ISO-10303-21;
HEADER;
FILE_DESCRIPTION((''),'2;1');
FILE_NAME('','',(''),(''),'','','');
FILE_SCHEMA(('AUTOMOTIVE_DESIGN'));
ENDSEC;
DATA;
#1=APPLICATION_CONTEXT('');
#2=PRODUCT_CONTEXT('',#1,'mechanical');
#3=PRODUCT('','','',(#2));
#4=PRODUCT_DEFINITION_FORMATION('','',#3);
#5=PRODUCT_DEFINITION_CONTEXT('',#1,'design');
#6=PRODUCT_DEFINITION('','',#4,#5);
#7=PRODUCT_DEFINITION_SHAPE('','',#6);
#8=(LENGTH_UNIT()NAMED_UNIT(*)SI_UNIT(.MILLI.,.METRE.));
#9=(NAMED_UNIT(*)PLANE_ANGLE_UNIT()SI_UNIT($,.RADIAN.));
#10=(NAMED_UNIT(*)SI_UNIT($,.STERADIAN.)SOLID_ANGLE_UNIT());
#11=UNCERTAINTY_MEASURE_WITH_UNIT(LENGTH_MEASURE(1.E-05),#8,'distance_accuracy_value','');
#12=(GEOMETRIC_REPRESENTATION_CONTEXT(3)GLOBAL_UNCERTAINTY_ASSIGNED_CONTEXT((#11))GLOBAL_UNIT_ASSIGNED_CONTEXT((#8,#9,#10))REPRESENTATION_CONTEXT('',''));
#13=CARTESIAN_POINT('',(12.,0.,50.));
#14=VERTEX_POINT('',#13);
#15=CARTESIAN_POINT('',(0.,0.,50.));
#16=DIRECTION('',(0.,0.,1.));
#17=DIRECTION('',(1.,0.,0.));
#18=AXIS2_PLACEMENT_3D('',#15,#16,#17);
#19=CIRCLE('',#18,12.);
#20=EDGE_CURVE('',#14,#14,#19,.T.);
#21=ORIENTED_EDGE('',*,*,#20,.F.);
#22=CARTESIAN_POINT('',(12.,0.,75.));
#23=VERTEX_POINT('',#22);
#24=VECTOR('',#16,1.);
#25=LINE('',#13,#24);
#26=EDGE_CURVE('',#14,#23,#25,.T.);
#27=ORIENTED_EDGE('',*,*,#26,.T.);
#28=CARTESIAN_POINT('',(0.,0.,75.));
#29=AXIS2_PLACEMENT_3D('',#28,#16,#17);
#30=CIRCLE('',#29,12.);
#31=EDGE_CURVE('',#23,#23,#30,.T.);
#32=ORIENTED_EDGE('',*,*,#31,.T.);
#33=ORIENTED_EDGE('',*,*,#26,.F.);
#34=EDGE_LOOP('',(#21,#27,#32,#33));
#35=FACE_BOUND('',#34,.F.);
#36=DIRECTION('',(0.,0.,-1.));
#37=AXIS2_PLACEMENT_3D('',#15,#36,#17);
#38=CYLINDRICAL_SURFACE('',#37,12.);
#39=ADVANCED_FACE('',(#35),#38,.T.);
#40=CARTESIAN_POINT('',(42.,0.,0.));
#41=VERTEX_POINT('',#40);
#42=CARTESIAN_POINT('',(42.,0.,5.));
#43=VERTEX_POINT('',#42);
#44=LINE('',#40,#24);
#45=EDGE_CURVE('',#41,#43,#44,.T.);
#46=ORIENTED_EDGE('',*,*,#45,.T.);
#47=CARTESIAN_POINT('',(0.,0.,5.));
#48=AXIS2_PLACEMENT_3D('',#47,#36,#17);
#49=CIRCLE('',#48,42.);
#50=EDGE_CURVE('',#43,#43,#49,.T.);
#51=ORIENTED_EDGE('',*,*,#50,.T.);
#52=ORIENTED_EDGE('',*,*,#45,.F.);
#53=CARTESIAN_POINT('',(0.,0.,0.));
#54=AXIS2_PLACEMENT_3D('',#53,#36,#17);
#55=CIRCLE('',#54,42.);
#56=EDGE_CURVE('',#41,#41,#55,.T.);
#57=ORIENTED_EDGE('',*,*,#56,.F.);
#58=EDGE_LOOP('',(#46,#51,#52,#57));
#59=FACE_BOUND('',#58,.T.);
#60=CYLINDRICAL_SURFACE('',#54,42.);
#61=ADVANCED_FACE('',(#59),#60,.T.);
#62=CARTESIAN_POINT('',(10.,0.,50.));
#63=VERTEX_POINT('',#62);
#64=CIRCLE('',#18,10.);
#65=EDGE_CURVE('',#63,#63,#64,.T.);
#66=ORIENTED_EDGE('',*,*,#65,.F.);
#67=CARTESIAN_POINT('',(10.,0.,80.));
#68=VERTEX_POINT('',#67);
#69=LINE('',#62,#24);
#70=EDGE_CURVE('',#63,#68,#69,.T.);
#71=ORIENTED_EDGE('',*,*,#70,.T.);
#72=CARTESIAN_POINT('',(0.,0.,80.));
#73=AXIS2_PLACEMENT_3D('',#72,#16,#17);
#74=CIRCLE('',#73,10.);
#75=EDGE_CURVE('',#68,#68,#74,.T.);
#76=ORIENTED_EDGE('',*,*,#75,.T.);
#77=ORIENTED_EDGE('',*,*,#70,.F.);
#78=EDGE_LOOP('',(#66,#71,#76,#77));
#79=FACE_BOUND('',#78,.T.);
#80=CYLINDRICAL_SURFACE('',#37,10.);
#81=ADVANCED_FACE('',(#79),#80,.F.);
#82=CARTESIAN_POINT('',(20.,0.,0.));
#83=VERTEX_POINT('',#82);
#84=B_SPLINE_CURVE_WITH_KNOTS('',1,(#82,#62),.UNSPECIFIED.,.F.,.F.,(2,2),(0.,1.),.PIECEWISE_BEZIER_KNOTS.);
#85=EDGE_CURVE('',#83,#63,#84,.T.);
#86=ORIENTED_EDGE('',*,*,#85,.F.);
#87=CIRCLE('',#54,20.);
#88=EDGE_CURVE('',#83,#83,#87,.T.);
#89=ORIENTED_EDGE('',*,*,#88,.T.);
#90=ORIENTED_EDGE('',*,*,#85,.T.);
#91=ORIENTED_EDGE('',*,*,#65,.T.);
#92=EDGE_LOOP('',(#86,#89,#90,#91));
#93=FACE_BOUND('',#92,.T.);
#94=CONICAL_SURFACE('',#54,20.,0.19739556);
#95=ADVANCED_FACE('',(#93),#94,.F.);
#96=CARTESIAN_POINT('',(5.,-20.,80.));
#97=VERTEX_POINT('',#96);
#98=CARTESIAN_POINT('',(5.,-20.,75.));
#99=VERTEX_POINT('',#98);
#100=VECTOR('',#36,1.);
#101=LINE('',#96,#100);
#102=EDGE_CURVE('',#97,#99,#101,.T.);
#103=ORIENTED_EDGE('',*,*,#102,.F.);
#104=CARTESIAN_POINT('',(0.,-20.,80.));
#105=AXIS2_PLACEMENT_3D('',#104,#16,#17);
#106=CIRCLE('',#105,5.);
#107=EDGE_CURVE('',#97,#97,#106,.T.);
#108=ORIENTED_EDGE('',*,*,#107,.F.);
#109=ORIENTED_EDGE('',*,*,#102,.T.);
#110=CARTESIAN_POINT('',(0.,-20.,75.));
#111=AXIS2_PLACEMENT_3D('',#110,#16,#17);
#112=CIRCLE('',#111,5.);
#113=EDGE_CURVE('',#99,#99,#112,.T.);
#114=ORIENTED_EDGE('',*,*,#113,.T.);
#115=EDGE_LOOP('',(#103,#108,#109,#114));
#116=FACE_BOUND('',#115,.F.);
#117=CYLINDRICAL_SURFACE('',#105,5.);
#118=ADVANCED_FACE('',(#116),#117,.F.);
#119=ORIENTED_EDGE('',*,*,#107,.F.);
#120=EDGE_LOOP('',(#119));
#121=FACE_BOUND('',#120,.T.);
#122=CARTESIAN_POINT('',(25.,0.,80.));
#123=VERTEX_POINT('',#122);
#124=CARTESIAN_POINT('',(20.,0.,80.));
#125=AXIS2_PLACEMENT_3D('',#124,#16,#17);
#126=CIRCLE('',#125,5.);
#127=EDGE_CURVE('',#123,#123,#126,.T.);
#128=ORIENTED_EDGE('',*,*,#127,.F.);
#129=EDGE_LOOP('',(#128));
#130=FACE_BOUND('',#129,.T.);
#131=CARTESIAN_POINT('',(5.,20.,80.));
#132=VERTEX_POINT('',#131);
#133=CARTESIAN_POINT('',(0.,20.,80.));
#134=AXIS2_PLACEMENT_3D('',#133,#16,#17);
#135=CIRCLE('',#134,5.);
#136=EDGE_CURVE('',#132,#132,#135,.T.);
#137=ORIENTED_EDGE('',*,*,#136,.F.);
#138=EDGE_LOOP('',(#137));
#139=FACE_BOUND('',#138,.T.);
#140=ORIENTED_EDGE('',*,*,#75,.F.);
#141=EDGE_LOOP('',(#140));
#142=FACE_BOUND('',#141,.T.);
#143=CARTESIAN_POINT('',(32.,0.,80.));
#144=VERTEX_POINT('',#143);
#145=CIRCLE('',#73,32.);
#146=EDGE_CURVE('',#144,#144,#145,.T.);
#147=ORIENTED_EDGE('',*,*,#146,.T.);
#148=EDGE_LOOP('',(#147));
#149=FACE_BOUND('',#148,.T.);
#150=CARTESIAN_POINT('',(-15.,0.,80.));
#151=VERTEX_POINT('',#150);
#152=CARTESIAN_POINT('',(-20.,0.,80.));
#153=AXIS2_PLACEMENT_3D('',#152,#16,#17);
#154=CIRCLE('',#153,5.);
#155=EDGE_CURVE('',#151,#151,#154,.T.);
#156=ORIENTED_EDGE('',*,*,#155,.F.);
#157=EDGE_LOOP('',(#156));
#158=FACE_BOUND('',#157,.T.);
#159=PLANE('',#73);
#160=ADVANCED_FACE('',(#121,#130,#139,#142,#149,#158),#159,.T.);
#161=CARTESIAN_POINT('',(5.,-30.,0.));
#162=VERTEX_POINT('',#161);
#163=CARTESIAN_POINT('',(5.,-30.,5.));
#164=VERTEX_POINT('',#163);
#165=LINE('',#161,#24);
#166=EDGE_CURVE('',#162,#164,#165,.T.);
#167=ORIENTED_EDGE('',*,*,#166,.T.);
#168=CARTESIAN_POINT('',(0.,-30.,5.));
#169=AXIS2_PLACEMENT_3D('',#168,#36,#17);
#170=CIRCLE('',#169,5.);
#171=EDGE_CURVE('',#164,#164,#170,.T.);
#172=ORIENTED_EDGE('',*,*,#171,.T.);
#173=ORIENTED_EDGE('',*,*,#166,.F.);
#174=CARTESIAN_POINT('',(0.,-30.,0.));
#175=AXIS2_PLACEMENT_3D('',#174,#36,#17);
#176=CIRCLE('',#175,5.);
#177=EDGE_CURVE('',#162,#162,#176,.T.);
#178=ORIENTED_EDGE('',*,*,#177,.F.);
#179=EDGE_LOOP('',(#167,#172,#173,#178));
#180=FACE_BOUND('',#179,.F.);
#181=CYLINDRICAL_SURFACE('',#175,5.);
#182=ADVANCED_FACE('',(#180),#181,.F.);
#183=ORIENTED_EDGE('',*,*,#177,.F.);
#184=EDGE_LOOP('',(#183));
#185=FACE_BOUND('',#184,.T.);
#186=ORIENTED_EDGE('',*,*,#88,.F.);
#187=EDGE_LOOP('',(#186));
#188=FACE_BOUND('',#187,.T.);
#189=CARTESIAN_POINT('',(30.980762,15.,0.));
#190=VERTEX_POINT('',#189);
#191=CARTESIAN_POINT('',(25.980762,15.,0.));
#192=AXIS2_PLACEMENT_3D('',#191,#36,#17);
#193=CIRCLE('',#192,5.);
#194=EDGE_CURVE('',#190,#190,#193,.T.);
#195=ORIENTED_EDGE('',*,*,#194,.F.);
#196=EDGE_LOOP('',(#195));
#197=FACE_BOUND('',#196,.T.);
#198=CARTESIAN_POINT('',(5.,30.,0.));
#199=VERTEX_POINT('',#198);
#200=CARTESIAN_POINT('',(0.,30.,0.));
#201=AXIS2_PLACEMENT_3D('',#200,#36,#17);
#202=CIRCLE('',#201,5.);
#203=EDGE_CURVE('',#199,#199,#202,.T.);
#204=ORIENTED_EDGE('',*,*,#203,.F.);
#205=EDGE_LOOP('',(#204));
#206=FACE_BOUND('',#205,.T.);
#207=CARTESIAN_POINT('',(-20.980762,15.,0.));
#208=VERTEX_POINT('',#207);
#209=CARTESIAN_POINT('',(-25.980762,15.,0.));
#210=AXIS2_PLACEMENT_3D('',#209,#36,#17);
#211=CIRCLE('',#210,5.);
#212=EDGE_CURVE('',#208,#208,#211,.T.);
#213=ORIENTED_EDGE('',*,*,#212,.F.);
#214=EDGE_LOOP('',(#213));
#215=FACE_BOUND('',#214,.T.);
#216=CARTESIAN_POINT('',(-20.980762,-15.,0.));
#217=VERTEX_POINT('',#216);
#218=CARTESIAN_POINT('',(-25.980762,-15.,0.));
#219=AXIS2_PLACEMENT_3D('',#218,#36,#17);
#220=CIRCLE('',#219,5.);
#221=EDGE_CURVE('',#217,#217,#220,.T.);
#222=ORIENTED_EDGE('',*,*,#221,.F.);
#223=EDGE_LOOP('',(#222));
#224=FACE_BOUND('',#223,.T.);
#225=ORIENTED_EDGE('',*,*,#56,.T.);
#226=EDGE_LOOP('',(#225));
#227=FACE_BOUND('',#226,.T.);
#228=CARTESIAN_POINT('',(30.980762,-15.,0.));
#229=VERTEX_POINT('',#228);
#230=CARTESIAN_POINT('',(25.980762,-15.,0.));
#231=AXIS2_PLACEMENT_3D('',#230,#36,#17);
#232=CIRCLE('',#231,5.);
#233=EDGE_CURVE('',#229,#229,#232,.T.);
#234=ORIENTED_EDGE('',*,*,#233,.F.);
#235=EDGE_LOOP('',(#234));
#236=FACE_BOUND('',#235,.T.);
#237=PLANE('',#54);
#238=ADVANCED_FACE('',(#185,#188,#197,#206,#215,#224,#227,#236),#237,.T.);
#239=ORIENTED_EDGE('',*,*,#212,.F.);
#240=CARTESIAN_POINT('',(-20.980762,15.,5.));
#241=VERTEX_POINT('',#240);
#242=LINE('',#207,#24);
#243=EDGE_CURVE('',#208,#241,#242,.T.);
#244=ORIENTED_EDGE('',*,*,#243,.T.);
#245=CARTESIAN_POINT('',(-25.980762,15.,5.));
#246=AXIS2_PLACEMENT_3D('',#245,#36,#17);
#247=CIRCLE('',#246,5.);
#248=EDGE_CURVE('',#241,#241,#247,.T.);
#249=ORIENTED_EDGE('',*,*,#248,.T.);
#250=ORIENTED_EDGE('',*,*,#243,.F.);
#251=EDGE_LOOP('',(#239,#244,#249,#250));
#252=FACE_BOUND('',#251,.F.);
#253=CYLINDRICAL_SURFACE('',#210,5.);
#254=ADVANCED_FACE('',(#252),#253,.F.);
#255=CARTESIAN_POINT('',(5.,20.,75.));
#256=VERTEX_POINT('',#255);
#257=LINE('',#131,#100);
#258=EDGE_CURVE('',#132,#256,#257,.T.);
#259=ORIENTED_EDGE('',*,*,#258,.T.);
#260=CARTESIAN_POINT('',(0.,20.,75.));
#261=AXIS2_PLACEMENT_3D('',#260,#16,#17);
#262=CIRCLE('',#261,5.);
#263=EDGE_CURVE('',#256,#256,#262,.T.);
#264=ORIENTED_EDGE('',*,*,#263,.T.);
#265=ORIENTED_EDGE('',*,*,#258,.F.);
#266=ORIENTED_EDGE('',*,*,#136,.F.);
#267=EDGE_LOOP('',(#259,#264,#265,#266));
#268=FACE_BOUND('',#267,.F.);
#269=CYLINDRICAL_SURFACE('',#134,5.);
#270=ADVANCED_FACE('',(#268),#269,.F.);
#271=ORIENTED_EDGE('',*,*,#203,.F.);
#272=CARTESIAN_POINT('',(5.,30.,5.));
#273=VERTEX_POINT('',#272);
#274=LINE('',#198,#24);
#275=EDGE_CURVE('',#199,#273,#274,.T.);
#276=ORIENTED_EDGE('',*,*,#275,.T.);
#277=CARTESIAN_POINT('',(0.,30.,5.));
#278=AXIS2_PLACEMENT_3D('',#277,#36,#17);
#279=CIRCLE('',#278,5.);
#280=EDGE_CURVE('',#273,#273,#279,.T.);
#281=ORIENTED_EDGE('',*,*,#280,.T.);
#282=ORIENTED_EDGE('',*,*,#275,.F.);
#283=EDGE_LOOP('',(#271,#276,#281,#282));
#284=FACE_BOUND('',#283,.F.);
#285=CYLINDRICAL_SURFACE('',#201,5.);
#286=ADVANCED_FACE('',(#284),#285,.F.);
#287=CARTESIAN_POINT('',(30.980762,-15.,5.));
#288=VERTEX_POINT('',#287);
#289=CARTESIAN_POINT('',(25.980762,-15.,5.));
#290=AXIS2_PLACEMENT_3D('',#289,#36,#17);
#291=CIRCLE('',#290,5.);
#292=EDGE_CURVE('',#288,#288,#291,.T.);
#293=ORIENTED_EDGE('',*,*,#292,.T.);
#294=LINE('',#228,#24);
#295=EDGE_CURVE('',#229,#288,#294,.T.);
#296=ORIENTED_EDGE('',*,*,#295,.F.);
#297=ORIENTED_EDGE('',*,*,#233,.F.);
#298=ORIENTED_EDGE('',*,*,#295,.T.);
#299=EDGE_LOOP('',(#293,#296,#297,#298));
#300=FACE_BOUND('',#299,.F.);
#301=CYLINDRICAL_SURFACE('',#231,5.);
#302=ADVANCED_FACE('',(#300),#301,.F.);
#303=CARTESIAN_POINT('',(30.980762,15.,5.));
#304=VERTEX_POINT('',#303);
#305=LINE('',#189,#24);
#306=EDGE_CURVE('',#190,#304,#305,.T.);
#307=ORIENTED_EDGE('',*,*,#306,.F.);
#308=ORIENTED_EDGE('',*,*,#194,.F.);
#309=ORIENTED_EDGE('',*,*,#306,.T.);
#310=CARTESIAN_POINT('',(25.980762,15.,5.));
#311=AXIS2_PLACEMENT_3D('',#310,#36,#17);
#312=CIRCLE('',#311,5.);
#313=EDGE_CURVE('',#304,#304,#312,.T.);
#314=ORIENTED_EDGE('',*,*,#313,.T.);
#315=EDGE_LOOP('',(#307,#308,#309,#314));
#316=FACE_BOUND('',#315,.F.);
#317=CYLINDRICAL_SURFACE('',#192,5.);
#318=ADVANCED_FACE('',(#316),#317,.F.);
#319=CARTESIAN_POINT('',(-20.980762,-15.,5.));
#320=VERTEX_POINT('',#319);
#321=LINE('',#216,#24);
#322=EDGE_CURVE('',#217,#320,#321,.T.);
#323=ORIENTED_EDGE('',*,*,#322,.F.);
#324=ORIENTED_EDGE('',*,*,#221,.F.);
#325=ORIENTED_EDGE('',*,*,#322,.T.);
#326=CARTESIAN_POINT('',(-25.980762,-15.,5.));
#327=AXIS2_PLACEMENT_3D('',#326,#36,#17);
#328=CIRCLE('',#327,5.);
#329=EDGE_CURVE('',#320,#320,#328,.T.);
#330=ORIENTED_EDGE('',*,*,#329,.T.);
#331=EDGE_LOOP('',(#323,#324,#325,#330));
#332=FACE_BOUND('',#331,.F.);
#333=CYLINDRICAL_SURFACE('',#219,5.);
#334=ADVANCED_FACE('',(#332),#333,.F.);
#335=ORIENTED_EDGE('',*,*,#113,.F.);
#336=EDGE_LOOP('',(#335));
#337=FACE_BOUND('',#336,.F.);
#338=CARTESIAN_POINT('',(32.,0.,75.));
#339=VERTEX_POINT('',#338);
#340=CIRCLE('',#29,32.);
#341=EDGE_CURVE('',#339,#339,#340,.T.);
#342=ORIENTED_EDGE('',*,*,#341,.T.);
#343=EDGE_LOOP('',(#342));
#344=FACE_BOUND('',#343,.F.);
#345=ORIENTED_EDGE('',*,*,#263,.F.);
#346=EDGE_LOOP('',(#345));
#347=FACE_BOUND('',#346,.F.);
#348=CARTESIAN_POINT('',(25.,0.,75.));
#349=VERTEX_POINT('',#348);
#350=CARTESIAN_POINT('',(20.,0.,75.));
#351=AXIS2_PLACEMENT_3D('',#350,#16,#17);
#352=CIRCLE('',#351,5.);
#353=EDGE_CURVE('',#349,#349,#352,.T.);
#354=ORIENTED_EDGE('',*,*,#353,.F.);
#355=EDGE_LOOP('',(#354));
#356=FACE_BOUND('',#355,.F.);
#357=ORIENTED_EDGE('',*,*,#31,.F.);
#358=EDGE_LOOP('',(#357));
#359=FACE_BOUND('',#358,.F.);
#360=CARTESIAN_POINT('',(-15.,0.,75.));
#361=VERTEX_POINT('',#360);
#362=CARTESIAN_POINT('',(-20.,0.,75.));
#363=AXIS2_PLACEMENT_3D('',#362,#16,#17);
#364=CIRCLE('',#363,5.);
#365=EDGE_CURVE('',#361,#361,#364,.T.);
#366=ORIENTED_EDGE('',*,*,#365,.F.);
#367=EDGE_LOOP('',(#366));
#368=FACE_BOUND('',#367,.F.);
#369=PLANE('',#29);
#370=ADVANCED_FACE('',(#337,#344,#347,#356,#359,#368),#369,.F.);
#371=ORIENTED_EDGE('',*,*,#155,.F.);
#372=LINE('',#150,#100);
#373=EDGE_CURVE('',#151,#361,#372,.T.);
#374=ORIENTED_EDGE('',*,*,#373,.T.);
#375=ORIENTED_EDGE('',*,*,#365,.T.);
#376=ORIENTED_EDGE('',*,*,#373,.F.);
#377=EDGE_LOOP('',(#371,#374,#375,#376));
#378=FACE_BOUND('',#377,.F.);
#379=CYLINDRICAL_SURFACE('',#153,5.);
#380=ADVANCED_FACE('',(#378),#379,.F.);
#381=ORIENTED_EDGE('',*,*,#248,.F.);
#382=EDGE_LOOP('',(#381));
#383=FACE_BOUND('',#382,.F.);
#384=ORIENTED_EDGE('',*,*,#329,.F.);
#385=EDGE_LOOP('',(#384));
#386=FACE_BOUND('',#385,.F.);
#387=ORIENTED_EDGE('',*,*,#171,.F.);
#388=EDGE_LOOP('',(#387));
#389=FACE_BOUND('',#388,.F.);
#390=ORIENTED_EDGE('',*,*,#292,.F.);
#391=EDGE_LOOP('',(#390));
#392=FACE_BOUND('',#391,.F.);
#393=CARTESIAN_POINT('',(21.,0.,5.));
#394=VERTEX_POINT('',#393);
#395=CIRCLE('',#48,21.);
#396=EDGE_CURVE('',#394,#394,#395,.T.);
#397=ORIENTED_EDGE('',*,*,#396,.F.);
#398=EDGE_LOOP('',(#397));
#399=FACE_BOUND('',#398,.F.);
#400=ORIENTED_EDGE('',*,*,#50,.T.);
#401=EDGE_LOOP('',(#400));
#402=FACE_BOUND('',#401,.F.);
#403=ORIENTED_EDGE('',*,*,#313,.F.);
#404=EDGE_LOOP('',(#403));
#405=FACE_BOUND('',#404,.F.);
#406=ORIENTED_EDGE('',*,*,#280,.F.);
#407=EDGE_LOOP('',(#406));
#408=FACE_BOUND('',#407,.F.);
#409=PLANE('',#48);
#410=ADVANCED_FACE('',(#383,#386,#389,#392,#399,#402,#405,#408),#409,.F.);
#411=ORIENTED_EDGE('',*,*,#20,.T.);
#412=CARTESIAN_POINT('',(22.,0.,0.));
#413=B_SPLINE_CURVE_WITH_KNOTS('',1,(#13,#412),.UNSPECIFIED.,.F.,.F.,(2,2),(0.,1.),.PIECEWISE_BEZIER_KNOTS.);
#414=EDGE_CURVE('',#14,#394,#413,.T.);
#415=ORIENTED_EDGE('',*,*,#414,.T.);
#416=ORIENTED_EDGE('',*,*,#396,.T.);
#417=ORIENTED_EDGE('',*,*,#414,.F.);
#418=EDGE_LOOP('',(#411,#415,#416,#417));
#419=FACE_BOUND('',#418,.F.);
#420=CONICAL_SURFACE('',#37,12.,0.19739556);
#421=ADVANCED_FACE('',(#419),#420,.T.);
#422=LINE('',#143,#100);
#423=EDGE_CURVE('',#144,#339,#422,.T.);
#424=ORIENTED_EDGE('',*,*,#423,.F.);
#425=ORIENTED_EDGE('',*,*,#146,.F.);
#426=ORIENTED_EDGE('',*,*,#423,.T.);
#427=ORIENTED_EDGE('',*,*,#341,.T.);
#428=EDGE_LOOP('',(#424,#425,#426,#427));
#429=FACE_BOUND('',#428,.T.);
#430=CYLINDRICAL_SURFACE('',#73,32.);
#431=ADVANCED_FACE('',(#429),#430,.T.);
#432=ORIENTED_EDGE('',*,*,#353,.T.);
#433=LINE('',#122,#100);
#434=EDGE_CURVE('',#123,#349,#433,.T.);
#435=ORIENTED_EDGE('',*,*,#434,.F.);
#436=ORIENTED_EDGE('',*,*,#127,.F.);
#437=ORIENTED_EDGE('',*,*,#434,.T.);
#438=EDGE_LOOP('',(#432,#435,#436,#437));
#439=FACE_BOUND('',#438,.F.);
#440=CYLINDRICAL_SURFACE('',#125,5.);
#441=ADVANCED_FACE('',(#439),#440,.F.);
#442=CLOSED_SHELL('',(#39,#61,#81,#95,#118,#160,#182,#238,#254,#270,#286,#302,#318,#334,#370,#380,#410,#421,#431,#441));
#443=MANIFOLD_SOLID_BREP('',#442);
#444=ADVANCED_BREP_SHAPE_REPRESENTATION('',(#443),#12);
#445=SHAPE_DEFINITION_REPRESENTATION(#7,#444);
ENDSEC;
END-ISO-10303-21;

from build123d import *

# Parameters (mm, degrees)
F2_R      = 12
F0_R      = 22
F6_R      = 42
F6_R_2    = 20
F7_DEPTH  = 5
F5_R      = 20
F4_R      = 10
F9_R      = 5
F10_DEPTH = 5
F4_R_2    = 12
F11_DEPTH = 30
F12_R     = 32
F12_R_2   = 12
F13_DEPTH = 5
F14_R     = 5
F15_DEPTH = 5


with BuildPart() as f3:
    # F2 (on offset) → F3 section 0
    with BuildSketch(Plane.XY.offset(50)):
        Circle(F2_R)
    # F0 (on Top) → F3 section 1
    with BuildSketch(Plane.XY):
        Circle(F0_R)
    loft()

    # F6 (on face) → F7 (join)
    with BuildSketch(Plane(origin=(0, 0, 0), x_dir=(1, 0, 0), z_dir=(0, 0, -1))):
        Circle(F6_R)
        Circle(F6_R_2, mode=Mode.SUBTRACT)
    extrude(amount=-F7_DEPTH)

    # F5 (on face) → F8 section 0
    with BuildSketch(Plane(origin=(0, 0, 0), x_dir=(1, 0, 0), z_dir=(0, 0, -1))):
        Circle(F5_R)
    # F4 (on face) → F8 section 1
    with BuildSketch(Plane.XY.offset(50)):
        Circle(F4_R)
    loft(mode=Mode.SUBTRACT)

    # F9 (on face) → F10 (cut, through all)
    with BuildSketch(Plane(origin=(0, 0, 0), x_dir=(1, 0, 0), z_dir=(0, 0, -1))):
        with Locations((0, 30)):
            Circle(F9_R)
        with Locations((-25.9807621135, 15)):
            Circle(F9_R)
        with Locations((25.9807621135, 15)):
            Circle(F9_R)
        with Locations((25.9807621135, -15)):
            Circle(F9_R)
        with Locations((0, -30)):
            Circle(F9_R)
        with Locations((-25.9807621135, -15)):
            Circle(F9_R)
    extrude(amount=-F10_DEPTH, mode=Mode.SUBTRACT)

    # F4 (on face) → F11 (join)
    with BuildSketch(Plane.XY.offset(50)):
        Circle(F4_R_2)
        Circle(F4_R, mode=Mode.SUBTRACT)
    extrude(amount=F11_DEPTH)

    # F12 (on face) → F13 (join)
    with BuildSketch(Plane.XY.offset(80)):
        Circle(F12_R)
        Circle(F12_R_2, mode=Mode.SUBTRACT)
    extrude(amount=-F13_DEPTH)

    # F14 (on face) → F15 (cut, through all)
    with BuildSketch(Plane.XY.offset(80)):
        with Locations((0, 20)):
            Circle(F14_R)
        with Locations((-20, 0)):
            Circle(F14_R)
        with Locations((0, -20)):
            Circle(F14_R)
        with Locations((20, 0)):
            Circle(F14_R)
    extrude(amount=-F15_DEPTH, mode=Mode.SUBTRACT)


solid = f3.part
